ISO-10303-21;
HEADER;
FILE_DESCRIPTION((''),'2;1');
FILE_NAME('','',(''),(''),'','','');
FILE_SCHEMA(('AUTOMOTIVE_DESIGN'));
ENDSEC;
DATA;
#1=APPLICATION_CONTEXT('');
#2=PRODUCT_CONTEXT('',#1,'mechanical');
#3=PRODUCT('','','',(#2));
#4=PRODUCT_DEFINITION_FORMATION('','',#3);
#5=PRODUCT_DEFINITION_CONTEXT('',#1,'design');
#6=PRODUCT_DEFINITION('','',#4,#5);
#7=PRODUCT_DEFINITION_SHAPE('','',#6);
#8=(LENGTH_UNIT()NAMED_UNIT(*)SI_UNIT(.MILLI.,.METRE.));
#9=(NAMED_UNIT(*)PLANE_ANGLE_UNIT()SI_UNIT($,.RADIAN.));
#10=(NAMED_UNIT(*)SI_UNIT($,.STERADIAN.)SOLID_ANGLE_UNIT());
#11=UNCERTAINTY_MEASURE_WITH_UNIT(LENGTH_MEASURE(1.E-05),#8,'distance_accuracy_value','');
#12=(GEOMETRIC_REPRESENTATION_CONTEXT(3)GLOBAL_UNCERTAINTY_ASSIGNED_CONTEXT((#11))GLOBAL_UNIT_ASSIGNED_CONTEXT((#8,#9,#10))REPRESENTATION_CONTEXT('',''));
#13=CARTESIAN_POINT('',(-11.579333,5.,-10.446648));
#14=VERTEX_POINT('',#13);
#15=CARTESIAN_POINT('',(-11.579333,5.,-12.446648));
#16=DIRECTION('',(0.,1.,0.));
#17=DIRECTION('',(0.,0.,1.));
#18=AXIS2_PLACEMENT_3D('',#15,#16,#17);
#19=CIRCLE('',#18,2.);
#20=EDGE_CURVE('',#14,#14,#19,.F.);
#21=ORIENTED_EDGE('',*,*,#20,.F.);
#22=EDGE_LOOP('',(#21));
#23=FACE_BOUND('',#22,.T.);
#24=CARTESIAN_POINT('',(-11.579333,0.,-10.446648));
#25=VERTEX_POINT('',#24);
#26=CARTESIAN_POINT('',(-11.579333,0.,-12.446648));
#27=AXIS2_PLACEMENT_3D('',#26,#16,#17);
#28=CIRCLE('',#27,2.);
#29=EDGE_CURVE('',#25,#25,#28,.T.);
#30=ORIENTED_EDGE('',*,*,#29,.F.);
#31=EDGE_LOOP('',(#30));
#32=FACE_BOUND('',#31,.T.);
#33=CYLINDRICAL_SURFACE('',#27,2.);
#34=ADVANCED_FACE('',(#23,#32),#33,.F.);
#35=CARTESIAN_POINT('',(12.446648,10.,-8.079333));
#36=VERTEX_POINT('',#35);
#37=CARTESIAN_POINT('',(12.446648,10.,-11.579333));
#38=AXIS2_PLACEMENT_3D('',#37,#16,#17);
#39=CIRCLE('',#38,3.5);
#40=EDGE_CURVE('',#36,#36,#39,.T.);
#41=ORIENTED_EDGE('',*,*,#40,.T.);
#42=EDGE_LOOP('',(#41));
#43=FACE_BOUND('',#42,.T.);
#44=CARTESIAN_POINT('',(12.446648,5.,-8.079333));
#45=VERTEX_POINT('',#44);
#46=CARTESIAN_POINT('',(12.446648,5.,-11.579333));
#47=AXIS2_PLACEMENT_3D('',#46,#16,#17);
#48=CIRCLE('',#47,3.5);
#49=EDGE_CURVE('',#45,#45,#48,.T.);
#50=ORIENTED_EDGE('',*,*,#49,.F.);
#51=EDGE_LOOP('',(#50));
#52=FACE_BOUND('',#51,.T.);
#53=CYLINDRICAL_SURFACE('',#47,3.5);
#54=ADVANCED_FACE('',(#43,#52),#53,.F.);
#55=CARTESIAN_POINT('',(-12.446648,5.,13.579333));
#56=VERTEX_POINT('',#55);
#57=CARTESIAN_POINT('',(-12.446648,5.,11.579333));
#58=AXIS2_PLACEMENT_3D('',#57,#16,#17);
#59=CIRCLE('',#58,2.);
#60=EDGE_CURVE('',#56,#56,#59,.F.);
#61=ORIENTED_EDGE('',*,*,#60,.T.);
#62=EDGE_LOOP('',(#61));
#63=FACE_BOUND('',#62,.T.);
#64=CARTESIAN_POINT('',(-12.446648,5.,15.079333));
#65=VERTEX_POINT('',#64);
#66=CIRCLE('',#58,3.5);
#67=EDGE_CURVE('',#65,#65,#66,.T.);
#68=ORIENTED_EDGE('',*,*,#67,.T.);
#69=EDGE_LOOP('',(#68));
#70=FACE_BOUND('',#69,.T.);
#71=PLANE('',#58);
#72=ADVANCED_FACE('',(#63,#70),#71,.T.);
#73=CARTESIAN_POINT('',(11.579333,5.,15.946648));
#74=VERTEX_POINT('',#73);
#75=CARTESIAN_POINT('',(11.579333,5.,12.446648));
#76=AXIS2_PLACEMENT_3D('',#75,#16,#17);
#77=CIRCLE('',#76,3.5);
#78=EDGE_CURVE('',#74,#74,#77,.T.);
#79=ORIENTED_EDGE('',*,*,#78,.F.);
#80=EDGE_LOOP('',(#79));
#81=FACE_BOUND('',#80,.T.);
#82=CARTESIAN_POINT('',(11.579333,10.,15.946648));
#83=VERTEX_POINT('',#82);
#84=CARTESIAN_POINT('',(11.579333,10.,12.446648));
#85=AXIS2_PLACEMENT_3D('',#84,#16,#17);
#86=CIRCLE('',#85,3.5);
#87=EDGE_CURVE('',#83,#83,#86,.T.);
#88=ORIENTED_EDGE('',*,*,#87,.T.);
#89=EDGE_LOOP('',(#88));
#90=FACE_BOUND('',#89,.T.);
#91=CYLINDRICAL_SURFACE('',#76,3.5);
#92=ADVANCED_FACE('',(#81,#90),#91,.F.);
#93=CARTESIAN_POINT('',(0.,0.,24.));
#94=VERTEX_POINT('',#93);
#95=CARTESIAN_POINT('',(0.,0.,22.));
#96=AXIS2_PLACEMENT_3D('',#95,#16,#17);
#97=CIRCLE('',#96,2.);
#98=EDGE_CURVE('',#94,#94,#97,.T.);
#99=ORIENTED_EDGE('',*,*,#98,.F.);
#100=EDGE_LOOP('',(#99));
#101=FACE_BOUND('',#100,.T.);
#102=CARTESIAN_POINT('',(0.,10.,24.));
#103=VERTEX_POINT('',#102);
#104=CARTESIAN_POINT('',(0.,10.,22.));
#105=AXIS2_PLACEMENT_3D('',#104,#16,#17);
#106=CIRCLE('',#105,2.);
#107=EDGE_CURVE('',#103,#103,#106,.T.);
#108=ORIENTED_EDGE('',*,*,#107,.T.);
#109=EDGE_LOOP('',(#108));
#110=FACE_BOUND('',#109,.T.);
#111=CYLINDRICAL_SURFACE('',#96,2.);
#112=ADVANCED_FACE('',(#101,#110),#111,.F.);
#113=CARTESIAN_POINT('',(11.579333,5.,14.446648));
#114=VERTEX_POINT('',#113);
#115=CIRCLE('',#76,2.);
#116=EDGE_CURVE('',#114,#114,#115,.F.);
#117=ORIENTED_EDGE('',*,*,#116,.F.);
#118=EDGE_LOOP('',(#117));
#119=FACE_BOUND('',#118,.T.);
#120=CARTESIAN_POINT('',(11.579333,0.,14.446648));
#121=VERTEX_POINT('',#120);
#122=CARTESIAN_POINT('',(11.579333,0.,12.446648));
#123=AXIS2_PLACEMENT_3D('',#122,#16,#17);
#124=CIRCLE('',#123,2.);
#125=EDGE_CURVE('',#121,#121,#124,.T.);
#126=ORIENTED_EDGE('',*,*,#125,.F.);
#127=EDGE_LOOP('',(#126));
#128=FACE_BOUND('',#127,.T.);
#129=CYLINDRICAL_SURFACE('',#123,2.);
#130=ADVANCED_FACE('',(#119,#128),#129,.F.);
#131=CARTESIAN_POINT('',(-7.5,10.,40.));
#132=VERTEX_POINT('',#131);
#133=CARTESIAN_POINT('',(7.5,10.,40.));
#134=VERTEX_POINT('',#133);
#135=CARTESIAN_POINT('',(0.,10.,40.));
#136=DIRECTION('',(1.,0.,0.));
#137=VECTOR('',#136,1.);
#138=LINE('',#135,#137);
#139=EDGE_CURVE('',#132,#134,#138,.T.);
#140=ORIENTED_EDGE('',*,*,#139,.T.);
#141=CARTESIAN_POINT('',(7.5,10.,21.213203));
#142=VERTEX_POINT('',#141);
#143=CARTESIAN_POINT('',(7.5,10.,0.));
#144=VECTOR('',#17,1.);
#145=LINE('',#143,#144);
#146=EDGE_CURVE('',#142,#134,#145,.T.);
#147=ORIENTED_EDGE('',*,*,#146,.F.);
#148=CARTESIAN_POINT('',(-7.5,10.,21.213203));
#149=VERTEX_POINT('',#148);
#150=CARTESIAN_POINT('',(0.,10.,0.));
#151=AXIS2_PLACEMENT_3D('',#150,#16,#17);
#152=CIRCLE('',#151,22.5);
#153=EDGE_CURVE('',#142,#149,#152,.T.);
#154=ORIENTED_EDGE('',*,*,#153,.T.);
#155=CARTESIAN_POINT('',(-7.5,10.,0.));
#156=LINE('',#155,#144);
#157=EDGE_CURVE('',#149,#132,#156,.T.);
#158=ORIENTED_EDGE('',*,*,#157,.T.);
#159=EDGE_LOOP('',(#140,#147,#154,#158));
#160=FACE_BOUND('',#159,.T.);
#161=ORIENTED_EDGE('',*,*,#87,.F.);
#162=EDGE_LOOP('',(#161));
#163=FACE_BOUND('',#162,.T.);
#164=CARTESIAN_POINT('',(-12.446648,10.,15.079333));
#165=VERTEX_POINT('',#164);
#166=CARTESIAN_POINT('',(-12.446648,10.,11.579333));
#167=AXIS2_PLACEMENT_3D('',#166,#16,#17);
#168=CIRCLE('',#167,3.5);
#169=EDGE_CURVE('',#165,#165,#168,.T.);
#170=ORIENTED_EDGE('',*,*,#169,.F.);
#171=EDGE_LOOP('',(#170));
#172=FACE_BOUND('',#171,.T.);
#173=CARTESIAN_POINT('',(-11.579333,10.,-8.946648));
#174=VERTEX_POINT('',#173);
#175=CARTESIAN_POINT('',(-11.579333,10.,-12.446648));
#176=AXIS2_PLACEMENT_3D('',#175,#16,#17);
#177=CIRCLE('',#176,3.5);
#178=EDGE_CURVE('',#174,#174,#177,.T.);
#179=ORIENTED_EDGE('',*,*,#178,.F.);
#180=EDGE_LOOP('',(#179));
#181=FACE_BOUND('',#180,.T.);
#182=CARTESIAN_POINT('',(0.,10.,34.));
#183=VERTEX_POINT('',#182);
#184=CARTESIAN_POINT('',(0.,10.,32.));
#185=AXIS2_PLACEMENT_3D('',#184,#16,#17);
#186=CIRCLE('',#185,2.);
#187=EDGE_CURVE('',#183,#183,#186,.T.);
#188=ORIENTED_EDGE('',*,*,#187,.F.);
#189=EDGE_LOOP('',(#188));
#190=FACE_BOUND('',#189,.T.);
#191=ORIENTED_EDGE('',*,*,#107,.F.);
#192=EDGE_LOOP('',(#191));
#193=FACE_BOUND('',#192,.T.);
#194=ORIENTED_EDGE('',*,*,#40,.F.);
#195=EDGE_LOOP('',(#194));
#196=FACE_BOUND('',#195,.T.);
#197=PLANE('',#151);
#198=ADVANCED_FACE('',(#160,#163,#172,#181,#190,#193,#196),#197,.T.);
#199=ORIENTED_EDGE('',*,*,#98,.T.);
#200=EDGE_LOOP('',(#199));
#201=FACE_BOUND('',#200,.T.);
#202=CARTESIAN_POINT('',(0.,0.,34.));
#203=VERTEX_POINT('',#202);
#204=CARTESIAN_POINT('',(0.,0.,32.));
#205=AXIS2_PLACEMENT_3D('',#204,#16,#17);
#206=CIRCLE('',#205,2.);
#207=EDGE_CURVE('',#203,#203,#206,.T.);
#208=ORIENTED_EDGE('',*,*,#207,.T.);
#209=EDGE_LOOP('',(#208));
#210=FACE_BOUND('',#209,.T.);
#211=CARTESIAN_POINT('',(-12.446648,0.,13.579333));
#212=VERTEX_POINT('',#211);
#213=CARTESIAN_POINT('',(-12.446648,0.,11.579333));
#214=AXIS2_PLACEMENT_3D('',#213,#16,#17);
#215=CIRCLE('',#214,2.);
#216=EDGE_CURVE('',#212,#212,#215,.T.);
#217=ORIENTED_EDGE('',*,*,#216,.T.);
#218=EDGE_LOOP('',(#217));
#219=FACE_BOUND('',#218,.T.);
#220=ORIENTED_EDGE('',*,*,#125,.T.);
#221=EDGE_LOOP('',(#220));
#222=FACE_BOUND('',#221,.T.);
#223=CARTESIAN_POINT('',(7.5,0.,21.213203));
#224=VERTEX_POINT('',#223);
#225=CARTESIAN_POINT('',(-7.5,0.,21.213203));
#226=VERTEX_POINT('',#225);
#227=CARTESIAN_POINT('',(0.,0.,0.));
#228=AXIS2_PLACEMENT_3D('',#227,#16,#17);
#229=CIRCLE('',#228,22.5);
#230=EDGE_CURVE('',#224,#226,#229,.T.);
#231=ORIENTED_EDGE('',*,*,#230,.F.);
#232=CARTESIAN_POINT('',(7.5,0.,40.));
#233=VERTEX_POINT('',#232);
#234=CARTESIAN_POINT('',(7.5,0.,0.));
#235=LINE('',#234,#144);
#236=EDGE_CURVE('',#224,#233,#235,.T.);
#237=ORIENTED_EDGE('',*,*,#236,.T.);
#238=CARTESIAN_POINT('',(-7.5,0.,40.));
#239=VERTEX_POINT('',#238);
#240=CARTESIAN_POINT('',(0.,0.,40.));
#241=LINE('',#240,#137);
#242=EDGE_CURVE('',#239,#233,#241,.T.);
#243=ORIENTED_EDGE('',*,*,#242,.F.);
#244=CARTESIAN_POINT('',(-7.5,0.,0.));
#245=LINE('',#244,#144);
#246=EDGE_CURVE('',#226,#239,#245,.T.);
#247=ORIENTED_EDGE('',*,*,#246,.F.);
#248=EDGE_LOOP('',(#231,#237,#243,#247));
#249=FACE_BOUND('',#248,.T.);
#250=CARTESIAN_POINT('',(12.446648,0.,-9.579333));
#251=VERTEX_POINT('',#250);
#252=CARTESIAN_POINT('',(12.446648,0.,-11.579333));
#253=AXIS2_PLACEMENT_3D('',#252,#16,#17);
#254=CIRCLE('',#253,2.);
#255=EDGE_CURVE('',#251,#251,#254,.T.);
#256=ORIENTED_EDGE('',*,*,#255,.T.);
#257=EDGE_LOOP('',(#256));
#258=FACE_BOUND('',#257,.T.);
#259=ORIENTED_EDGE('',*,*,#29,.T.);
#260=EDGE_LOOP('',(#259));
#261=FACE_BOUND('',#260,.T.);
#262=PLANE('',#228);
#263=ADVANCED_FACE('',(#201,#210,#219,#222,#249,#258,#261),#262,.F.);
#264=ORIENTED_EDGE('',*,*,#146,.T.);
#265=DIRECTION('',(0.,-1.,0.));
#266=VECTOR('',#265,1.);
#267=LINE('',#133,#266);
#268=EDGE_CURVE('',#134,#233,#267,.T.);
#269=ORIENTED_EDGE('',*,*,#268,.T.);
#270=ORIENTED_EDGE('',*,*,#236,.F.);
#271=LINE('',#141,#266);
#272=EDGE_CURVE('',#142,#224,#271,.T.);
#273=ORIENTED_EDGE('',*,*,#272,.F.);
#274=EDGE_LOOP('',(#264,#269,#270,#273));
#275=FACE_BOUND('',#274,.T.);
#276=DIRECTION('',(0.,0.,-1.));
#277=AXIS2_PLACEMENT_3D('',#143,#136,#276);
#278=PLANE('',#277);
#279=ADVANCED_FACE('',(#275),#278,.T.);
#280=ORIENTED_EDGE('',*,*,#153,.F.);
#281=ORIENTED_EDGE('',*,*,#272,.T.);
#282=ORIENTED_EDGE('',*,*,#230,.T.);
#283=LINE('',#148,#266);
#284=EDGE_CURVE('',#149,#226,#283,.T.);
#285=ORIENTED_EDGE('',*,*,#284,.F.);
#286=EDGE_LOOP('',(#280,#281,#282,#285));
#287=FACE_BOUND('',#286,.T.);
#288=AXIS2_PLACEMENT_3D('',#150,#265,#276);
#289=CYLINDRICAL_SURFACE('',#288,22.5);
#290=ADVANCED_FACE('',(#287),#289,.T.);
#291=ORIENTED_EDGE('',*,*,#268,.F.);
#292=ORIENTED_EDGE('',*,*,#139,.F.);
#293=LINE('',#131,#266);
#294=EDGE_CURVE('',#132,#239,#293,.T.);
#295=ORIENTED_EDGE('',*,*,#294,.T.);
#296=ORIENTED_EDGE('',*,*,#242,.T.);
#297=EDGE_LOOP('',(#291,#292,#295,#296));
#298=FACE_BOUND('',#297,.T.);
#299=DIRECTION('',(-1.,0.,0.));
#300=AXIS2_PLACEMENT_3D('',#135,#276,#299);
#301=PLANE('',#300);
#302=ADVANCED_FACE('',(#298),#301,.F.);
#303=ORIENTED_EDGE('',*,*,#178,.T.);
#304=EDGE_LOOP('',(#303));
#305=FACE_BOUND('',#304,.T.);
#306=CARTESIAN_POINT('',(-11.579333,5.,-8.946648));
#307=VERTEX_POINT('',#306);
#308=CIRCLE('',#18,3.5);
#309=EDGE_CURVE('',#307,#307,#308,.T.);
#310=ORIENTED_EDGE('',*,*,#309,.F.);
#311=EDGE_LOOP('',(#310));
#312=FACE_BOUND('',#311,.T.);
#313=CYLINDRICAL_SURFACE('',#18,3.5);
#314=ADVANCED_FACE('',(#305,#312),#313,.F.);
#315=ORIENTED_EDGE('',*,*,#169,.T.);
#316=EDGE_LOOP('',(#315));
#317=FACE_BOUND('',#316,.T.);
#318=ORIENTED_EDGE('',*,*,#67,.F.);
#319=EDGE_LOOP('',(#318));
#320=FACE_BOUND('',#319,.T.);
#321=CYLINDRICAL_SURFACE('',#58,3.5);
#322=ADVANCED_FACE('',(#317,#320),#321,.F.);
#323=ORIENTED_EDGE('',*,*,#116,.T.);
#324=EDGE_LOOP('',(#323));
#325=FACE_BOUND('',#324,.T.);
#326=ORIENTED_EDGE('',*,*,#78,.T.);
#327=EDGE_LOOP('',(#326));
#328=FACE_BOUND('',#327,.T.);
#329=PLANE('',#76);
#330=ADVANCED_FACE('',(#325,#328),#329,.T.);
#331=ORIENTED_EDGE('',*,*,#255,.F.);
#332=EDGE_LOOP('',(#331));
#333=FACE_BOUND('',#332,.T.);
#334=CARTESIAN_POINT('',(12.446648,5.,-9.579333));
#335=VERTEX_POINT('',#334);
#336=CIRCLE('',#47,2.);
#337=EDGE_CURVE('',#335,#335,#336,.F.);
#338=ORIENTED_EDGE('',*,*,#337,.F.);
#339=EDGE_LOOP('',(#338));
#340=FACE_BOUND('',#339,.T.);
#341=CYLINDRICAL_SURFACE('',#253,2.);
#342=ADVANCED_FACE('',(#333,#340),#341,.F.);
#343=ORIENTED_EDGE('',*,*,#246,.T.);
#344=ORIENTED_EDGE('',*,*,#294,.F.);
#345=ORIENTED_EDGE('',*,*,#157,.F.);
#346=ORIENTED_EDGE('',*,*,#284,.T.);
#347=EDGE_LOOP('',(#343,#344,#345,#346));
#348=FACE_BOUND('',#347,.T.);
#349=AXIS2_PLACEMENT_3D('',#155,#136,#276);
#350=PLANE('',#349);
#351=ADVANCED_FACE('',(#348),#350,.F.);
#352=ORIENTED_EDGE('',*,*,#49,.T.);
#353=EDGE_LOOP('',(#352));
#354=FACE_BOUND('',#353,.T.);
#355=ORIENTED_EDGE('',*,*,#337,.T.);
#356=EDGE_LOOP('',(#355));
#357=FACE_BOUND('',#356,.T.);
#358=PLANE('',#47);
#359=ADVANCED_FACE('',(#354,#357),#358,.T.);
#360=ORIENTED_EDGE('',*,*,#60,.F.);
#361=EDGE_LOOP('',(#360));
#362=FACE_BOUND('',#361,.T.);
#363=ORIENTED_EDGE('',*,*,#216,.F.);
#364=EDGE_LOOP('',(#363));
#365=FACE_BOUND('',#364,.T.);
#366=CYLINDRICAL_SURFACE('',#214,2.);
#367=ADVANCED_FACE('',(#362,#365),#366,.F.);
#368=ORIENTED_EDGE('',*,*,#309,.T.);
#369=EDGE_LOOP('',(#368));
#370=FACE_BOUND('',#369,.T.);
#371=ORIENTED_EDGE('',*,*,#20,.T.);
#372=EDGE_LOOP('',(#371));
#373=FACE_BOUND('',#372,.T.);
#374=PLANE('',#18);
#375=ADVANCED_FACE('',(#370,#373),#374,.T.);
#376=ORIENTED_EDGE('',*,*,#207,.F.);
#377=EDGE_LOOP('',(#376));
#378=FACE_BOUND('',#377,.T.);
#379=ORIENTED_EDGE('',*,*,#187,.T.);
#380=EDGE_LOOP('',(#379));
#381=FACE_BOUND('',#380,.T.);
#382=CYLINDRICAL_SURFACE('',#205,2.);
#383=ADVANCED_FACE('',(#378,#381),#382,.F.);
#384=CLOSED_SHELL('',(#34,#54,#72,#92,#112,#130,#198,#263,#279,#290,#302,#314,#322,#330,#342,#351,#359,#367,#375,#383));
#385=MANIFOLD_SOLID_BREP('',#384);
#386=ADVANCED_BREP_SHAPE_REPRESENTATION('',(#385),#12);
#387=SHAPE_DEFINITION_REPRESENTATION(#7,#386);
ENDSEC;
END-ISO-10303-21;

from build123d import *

# Parameters (mm, degrees)
BOSS_EXTRUDE1_DEPTH = 10
SKETCH2_R           = 2
CUT_EXTRUDE1_DEPTH  = 10
SKETCH3_R           = 2
CUT_EXTRUDE2_DEPTH  = 10
SKETCH4_R           = 3.5
CUT_EXTRUDE3_DEPTH  = 5


with BuildPart() as part:
    # Sketch1 → Boss-Extrude1 (new body)
    with BuildSketch(Plane(origin=(0, 0, 0), x_dir=(1, 0, 0), z_dir=(0, 1, 0))):
        with BuildLine():
            ThreePointArc((7.5, -21.213203436), (0, -22.5), (-7.5, -21.213203436))
            Line((-7.5, -21.213203436), (-7.5, -40))
            Line((-7.5, -40), (7.5, -40))
            Line((7.5, -40), (7.5, -21.213203436))
        make_face()
        with BuildLine():
            Line((-7.5, -21.213203436), (-7.5, 0))
            Line((-7.5, 0), (7.5, 0))
            Line((7.5, 0), (7.5, -21.213203436))
            ThreePointArc((7.5, -21.213203436), (18.371173071, -12.990381057), (22.5, 0))
            ThreePointArc((22.5, 0), (-12.990381057, 18.371173071), (-7.5, -21.213203436))
        make_face()
        with BuildLine():
            Line((7.5, 0), (-7.5, 0))
            Line((-7.5, 0), (-7.5, -21.213203436))
            ThreePointArc((-7.5, -21.213203436), (0, -22.5), (7.5, -21.213203436))
            Line((7.5, -21.213203436), (7.5, 0))
        make_face()
    extrude(amount=BOSS_EXTRUDE1_DEPTH)

    # Sketch2 → Cut-Extrude1 (cut)
    with BuildSketch(Plane(origin=(0, 10, 0), x_dir=(1, 0, 0), z_dir=(0, 1, 0))):
        with Locations((-11.579332818, 12.446648203)):
            Circle(SKETCH2_R)
        with Locations((12.446648203, 11.579332818)):
            Circle(SKETCH2_R)
        with Locations((11.579332818, -12.446648203)):
            Circle(SKETCH2_R)
        with Locations((-12.446648203, -11.579332818)):
            Circle(SKETCH2_R)
    extrude(amount=-CUT_EXTRUDE1_DEPTH, mode=Mode.SUBTRACT)

    # Sketch3 → Cut-Extrude2 (cut)
    with BuildSketch(Plane(origin=(0, 10, 0), x_dir=(1, 0, 0), z_dir=(0, 1, 0))):
        with Locations((0, -22)):
            Circle(SKETCH3_R)
        with Locations((0, -32)):
            Circle(SKETCH3_R)
    extrude(amount=-CUT_EXTRUDE2_DEPTH, mode=Mode.SUBTRACT)

    # Sketch4 → Cut-Extrude3 (cut)
    with BuildSketch(Plane(origin=(0, 10, 0), x_dir=(1, 0, 0), z_dir=(0, 1, 0))):
        with Locations((-11.579332818, 12.446648203)):
            Circle(SKETCH4_R)
        with Locations((12.446648203, 11.579332818)):
            Circle(SKETCH4_R)
        with Locations((11.579332818, -12.446648203)):
            Circle(SKETCH4_R)
        with Locations((-12.446648203, -11.579332818)):
            Circle(SKETCH4_R)
    extrude(amount=-CUT_EXTRUDE3_DEPTH, mode=Mode.SUBTRACT)


solid = part.part
